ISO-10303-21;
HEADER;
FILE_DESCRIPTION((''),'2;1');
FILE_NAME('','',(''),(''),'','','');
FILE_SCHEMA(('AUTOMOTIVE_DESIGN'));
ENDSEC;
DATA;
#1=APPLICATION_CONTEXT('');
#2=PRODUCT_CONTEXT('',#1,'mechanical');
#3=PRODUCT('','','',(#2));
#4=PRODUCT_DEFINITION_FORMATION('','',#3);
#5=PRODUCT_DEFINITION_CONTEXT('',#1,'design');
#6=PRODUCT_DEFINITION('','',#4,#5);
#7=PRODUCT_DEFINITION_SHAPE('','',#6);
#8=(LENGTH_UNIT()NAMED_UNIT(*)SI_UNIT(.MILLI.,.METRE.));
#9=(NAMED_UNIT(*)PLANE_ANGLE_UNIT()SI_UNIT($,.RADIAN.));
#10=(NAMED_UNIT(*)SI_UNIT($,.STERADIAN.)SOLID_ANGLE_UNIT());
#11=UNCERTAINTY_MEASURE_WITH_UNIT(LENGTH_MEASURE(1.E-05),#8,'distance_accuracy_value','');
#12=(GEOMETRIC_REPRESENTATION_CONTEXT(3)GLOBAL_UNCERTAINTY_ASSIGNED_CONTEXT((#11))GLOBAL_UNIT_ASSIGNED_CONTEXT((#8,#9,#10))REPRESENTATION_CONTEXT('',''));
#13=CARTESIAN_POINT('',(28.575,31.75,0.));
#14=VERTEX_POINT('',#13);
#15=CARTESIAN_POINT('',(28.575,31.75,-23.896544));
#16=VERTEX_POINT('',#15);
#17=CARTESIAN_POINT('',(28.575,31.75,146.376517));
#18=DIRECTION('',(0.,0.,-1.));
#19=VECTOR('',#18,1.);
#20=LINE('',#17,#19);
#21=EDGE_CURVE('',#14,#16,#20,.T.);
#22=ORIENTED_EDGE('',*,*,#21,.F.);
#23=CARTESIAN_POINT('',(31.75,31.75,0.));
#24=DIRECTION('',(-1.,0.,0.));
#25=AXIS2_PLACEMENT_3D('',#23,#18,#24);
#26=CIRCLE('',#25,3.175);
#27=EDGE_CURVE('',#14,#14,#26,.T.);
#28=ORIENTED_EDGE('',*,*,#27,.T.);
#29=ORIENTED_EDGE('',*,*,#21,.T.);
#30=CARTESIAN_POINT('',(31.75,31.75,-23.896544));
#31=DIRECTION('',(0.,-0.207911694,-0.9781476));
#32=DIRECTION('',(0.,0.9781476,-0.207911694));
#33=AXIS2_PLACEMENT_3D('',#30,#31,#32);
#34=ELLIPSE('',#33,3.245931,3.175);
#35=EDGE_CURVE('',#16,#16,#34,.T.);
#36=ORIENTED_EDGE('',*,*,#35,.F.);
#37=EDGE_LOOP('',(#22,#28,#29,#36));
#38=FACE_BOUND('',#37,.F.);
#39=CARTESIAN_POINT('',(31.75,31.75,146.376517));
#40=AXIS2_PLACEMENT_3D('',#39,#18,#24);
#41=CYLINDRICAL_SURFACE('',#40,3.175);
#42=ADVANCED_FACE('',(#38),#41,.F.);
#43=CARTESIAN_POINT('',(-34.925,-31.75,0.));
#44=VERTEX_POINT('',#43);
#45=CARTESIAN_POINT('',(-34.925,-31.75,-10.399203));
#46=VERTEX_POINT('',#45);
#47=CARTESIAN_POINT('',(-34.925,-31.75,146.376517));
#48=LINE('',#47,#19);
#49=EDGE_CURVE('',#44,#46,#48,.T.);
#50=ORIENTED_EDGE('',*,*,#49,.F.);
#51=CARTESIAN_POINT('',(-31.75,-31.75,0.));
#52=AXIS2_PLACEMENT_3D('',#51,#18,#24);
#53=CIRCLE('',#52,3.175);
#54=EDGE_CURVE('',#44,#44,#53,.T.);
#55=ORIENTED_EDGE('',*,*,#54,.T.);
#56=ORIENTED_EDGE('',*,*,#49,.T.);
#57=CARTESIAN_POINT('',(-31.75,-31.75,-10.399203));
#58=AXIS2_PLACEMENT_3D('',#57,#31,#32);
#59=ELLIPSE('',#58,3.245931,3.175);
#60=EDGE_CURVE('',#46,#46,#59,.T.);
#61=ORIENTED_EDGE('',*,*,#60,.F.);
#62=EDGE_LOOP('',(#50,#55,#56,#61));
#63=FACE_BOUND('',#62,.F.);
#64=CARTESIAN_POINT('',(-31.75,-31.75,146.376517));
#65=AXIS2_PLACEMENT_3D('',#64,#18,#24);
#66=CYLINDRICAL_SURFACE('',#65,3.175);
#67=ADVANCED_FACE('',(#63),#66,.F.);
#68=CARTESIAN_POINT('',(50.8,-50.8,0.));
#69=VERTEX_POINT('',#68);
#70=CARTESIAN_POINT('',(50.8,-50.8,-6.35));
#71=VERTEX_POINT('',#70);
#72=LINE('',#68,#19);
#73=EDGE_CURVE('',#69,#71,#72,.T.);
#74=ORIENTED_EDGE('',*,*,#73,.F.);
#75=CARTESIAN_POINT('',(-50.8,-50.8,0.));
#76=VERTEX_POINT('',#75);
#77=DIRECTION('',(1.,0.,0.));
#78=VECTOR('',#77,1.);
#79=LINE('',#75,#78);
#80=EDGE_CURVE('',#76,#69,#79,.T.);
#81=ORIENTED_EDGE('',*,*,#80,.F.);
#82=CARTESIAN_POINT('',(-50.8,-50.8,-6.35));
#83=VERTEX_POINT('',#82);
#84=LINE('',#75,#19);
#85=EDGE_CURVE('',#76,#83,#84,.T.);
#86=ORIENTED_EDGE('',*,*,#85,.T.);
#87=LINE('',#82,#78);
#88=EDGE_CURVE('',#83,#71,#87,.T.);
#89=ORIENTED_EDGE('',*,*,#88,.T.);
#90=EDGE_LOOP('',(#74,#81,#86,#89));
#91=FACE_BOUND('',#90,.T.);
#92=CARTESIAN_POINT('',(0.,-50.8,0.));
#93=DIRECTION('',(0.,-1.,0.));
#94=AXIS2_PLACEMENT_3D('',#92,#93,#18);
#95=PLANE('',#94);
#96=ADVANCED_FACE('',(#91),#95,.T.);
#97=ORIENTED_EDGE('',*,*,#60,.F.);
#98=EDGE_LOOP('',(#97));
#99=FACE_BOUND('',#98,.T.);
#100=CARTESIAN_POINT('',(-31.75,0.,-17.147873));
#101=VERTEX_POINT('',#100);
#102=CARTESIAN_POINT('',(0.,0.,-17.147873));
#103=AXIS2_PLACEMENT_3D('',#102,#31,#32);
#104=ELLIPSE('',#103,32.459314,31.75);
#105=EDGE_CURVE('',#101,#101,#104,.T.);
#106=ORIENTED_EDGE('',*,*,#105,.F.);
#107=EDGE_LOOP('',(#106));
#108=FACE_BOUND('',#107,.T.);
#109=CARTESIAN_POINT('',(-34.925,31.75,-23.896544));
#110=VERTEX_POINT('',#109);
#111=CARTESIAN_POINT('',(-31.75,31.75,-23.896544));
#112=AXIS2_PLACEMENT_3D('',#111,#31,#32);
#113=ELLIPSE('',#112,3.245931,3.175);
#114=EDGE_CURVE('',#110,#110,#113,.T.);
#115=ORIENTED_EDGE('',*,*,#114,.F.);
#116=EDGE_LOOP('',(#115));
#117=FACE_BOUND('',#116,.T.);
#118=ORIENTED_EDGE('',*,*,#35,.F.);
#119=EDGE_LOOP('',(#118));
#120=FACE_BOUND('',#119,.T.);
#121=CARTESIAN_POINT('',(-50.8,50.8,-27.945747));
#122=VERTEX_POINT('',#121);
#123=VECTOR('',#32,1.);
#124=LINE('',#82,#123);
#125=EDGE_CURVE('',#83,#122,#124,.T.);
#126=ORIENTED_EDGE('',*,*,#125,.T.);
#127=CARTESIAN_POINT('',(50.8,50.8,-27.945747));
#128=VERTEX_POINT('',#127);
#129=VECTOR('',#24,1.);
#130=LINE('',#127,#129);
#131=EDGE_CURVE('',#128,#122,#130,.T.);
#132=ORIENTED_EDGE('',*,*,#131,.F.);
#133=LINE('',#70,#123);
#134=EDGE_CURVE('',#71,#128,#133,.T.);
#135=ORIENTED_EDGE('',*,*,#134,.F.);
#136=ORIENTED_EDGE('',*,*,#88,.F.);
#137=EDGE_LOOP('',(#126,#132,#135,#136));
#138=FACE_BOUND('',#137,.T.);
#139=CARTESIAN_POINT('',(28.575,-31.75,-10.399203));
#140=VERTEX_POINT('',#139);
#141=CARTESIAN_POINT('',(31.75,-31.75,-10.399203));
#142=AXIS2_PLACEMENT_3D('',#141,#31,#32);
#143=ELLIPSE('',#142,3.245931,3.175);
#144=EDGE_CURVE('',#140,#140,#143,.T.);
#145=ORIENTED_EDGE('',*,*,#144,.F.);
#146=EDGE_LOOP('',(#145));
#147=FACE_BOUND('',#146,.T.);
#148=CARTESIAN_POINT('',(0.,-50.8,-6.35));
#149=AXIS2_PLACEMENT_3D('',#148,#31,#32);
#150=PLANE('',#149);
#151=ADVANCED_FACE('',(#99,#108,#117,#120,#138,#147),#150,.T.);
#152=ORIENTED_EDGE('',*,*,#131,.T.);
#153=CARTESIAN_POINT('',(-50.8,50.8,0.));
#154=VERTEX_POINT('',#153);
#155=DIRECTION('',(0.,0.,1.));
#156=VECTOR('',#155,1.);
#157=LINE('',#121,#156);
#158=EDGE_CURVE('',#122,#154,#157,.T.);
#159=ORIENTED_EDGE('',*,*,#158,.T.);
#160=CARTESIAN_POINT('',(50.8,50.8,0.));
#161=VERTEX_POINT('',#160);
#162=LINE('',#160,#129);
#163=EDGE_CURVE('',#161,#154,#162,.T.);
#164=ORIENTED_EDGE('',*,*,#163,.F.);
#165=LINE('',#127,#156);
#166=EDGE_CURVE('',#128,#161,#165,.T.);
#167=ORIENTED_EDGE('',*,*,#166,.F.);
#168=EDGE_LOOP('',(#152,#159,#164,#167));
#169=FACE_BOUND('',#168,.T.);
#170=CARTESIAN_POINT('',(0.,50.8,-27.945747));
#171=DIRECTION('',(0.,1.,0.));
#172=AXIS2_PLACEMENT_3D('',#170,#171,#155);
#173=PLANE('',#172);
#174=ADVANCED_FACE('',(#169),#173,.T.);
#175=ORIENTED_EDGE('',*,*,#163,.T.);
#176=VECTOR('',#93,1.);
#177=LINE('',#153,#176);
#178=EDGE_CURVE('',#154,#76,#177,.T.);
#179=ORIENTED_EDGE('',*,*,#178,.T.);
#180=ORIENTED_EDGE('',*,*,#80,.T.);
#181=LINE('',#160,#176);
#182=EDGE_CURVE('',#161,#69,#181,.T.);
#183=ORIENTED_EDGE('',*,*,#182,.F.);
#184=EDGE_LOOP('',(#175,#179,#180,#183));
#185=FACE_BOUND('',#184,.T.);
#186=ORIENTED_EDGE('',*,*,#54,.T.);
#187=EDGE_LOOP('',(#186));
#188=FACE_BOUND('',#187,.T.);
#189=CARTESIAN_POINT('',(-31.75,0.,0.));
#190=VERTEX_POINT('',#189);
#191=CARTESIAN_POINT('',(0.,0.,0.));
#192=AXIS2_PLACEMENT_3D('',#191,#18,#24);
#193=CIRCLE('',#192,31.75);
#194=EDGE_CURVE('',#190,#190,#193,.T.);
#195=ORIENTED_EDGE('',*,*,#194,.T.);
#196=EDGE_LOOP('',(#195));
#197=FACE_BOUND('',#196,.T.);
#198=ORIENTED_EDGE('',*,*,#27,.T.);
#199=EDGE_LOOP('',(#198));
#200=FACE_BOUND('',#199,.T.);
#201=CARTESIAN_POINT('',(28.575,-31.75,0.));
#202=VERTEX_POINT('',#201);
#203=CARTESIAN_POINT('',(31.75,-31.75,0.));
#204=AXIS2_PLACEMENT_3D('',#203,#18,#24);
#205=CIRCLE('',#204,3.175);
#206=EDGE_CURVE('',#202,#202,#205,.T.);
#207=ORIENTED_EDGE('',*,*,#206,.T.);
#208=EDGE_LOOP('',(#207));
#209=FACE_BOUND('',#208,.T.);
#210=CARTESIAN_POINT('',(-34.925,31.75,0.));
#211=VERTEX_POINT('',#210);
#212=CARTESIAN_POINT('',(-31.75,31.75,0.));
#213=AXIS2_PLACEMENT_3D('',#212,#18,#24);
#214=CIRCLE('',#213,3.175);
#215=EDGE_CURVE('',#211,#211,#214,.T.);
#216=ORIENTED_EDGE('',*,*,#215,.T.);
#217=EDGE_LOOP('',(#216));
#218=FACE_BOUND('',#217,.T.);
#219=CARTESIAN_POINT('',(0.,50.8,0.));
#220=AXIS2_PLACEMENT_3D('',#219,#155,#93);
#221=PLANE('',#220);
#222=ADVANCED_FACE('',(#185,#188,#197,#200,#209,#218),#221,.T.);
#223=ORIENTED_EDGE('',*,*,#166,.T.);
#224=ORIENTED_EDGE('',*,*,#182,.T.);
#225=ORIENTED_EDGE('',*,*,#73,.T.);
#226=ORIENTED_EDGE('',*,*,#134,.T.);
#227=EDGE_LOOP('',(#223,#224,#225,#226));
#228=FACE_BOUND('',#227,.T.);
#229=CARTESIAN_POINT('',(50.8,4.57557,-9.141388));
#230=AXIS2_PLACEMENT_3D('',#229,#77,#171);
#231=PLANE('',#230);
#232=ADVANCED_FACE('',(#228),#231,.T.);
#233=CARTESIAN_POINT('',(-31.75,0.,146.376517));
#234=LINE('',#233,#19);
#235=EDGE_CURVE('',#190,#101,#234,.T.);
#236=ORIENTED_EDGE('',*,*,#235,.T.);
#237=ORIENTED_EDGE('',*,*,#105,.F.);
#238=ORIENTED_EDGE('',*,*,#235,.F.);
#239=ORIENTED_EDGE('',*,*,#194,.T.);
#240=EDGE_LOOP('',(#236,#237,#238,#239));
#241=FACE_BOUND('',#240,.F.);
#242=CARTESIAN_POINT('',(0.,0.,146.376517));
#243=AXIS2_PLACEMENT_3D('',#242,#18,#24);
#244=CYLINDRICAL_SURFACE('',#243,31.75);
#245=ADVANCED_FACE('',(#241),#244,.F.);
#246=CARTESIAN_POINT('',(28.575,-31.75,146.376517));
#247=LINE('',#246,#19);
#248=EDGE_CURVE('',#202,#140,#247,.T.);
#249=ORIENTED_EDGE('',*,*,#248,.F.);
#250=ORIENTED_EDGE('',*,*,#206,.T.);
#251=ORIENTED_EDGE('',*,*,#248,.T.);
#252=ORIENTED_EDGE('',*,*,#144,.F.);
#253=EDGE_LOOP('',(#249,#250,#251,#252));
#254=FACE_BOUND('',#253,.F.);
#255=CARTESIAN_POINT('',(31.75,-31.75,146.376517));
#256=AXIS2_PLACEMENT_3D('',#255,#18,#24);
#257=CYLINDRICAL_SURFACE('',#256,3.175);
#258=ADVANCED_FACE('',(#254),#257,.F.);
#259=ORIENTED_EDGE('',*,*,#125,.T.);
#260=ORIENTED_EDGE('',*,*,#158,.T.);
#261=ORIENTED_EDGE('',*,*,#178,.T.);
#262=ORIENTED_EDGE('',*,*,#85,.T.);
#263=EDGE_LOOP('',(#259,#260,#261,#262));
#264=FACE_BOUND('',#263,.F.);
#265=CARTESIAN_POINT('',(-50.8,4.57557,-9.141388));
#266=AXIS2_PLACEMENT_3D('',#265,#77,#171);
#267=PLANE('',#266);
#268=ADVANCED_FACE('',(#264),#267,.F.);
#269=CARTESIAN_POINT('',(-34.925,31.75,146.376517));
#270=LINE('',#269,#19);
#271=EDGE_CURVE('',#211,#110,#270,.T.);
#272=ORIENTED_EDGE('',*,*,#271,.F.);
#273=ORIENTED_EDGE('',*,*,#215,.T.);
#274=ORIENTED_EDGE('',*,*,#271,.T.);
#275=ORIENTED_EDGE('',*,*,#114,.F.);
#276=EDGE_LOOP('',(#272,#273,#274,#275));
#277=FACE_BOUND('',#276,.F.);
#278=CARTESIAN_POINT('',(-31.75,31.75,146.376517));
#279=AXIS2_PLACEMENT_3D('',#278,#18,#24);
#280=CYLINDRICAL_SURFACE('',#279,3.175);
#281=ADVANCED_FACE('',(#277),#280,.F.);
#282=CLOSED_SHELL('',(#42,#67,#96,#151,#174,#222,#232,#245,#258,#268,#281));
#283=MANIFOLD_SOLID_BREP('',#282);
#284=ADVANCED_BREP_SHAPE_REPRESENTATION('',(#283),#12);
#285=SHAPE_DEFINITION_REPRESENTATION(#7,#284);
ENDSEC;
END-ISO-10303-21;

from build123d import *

# Parameters (mm, degrees)
F2_DEPTH      = 50.8
F2_DEPTH_BACK = 50.8
F3_D          = 6.35
F5_D          = 63.5


with BuildPart() as f2:
    # F1 (on Right) → F2 (new body, two sides)
    with BuildSketch(Plane.YZ) as f2_sk:
        Polygon((50.8, 0), (-50.8, 0), (-50.8, -6.35), (50.8, -27.945747), align=None)
    extrude(amount=F2_DEPTH)
    extrude(f2_sk.sketch, amount=-F2_DEPTH_BACK)

    # F3 (through all)
    with Locations(Plane.XY):
        with Locations((-31.75, 31.75), (31.75, 31.75), (31.75, -31.75), (-31.75, -31.75)):
            Hole(F3_D / 2)

    # F5 (through all)
    with Locations(Plane.XY):
        with Locations((0, 0)):
            Hole(F5_D / 2)


solid = f2.part
